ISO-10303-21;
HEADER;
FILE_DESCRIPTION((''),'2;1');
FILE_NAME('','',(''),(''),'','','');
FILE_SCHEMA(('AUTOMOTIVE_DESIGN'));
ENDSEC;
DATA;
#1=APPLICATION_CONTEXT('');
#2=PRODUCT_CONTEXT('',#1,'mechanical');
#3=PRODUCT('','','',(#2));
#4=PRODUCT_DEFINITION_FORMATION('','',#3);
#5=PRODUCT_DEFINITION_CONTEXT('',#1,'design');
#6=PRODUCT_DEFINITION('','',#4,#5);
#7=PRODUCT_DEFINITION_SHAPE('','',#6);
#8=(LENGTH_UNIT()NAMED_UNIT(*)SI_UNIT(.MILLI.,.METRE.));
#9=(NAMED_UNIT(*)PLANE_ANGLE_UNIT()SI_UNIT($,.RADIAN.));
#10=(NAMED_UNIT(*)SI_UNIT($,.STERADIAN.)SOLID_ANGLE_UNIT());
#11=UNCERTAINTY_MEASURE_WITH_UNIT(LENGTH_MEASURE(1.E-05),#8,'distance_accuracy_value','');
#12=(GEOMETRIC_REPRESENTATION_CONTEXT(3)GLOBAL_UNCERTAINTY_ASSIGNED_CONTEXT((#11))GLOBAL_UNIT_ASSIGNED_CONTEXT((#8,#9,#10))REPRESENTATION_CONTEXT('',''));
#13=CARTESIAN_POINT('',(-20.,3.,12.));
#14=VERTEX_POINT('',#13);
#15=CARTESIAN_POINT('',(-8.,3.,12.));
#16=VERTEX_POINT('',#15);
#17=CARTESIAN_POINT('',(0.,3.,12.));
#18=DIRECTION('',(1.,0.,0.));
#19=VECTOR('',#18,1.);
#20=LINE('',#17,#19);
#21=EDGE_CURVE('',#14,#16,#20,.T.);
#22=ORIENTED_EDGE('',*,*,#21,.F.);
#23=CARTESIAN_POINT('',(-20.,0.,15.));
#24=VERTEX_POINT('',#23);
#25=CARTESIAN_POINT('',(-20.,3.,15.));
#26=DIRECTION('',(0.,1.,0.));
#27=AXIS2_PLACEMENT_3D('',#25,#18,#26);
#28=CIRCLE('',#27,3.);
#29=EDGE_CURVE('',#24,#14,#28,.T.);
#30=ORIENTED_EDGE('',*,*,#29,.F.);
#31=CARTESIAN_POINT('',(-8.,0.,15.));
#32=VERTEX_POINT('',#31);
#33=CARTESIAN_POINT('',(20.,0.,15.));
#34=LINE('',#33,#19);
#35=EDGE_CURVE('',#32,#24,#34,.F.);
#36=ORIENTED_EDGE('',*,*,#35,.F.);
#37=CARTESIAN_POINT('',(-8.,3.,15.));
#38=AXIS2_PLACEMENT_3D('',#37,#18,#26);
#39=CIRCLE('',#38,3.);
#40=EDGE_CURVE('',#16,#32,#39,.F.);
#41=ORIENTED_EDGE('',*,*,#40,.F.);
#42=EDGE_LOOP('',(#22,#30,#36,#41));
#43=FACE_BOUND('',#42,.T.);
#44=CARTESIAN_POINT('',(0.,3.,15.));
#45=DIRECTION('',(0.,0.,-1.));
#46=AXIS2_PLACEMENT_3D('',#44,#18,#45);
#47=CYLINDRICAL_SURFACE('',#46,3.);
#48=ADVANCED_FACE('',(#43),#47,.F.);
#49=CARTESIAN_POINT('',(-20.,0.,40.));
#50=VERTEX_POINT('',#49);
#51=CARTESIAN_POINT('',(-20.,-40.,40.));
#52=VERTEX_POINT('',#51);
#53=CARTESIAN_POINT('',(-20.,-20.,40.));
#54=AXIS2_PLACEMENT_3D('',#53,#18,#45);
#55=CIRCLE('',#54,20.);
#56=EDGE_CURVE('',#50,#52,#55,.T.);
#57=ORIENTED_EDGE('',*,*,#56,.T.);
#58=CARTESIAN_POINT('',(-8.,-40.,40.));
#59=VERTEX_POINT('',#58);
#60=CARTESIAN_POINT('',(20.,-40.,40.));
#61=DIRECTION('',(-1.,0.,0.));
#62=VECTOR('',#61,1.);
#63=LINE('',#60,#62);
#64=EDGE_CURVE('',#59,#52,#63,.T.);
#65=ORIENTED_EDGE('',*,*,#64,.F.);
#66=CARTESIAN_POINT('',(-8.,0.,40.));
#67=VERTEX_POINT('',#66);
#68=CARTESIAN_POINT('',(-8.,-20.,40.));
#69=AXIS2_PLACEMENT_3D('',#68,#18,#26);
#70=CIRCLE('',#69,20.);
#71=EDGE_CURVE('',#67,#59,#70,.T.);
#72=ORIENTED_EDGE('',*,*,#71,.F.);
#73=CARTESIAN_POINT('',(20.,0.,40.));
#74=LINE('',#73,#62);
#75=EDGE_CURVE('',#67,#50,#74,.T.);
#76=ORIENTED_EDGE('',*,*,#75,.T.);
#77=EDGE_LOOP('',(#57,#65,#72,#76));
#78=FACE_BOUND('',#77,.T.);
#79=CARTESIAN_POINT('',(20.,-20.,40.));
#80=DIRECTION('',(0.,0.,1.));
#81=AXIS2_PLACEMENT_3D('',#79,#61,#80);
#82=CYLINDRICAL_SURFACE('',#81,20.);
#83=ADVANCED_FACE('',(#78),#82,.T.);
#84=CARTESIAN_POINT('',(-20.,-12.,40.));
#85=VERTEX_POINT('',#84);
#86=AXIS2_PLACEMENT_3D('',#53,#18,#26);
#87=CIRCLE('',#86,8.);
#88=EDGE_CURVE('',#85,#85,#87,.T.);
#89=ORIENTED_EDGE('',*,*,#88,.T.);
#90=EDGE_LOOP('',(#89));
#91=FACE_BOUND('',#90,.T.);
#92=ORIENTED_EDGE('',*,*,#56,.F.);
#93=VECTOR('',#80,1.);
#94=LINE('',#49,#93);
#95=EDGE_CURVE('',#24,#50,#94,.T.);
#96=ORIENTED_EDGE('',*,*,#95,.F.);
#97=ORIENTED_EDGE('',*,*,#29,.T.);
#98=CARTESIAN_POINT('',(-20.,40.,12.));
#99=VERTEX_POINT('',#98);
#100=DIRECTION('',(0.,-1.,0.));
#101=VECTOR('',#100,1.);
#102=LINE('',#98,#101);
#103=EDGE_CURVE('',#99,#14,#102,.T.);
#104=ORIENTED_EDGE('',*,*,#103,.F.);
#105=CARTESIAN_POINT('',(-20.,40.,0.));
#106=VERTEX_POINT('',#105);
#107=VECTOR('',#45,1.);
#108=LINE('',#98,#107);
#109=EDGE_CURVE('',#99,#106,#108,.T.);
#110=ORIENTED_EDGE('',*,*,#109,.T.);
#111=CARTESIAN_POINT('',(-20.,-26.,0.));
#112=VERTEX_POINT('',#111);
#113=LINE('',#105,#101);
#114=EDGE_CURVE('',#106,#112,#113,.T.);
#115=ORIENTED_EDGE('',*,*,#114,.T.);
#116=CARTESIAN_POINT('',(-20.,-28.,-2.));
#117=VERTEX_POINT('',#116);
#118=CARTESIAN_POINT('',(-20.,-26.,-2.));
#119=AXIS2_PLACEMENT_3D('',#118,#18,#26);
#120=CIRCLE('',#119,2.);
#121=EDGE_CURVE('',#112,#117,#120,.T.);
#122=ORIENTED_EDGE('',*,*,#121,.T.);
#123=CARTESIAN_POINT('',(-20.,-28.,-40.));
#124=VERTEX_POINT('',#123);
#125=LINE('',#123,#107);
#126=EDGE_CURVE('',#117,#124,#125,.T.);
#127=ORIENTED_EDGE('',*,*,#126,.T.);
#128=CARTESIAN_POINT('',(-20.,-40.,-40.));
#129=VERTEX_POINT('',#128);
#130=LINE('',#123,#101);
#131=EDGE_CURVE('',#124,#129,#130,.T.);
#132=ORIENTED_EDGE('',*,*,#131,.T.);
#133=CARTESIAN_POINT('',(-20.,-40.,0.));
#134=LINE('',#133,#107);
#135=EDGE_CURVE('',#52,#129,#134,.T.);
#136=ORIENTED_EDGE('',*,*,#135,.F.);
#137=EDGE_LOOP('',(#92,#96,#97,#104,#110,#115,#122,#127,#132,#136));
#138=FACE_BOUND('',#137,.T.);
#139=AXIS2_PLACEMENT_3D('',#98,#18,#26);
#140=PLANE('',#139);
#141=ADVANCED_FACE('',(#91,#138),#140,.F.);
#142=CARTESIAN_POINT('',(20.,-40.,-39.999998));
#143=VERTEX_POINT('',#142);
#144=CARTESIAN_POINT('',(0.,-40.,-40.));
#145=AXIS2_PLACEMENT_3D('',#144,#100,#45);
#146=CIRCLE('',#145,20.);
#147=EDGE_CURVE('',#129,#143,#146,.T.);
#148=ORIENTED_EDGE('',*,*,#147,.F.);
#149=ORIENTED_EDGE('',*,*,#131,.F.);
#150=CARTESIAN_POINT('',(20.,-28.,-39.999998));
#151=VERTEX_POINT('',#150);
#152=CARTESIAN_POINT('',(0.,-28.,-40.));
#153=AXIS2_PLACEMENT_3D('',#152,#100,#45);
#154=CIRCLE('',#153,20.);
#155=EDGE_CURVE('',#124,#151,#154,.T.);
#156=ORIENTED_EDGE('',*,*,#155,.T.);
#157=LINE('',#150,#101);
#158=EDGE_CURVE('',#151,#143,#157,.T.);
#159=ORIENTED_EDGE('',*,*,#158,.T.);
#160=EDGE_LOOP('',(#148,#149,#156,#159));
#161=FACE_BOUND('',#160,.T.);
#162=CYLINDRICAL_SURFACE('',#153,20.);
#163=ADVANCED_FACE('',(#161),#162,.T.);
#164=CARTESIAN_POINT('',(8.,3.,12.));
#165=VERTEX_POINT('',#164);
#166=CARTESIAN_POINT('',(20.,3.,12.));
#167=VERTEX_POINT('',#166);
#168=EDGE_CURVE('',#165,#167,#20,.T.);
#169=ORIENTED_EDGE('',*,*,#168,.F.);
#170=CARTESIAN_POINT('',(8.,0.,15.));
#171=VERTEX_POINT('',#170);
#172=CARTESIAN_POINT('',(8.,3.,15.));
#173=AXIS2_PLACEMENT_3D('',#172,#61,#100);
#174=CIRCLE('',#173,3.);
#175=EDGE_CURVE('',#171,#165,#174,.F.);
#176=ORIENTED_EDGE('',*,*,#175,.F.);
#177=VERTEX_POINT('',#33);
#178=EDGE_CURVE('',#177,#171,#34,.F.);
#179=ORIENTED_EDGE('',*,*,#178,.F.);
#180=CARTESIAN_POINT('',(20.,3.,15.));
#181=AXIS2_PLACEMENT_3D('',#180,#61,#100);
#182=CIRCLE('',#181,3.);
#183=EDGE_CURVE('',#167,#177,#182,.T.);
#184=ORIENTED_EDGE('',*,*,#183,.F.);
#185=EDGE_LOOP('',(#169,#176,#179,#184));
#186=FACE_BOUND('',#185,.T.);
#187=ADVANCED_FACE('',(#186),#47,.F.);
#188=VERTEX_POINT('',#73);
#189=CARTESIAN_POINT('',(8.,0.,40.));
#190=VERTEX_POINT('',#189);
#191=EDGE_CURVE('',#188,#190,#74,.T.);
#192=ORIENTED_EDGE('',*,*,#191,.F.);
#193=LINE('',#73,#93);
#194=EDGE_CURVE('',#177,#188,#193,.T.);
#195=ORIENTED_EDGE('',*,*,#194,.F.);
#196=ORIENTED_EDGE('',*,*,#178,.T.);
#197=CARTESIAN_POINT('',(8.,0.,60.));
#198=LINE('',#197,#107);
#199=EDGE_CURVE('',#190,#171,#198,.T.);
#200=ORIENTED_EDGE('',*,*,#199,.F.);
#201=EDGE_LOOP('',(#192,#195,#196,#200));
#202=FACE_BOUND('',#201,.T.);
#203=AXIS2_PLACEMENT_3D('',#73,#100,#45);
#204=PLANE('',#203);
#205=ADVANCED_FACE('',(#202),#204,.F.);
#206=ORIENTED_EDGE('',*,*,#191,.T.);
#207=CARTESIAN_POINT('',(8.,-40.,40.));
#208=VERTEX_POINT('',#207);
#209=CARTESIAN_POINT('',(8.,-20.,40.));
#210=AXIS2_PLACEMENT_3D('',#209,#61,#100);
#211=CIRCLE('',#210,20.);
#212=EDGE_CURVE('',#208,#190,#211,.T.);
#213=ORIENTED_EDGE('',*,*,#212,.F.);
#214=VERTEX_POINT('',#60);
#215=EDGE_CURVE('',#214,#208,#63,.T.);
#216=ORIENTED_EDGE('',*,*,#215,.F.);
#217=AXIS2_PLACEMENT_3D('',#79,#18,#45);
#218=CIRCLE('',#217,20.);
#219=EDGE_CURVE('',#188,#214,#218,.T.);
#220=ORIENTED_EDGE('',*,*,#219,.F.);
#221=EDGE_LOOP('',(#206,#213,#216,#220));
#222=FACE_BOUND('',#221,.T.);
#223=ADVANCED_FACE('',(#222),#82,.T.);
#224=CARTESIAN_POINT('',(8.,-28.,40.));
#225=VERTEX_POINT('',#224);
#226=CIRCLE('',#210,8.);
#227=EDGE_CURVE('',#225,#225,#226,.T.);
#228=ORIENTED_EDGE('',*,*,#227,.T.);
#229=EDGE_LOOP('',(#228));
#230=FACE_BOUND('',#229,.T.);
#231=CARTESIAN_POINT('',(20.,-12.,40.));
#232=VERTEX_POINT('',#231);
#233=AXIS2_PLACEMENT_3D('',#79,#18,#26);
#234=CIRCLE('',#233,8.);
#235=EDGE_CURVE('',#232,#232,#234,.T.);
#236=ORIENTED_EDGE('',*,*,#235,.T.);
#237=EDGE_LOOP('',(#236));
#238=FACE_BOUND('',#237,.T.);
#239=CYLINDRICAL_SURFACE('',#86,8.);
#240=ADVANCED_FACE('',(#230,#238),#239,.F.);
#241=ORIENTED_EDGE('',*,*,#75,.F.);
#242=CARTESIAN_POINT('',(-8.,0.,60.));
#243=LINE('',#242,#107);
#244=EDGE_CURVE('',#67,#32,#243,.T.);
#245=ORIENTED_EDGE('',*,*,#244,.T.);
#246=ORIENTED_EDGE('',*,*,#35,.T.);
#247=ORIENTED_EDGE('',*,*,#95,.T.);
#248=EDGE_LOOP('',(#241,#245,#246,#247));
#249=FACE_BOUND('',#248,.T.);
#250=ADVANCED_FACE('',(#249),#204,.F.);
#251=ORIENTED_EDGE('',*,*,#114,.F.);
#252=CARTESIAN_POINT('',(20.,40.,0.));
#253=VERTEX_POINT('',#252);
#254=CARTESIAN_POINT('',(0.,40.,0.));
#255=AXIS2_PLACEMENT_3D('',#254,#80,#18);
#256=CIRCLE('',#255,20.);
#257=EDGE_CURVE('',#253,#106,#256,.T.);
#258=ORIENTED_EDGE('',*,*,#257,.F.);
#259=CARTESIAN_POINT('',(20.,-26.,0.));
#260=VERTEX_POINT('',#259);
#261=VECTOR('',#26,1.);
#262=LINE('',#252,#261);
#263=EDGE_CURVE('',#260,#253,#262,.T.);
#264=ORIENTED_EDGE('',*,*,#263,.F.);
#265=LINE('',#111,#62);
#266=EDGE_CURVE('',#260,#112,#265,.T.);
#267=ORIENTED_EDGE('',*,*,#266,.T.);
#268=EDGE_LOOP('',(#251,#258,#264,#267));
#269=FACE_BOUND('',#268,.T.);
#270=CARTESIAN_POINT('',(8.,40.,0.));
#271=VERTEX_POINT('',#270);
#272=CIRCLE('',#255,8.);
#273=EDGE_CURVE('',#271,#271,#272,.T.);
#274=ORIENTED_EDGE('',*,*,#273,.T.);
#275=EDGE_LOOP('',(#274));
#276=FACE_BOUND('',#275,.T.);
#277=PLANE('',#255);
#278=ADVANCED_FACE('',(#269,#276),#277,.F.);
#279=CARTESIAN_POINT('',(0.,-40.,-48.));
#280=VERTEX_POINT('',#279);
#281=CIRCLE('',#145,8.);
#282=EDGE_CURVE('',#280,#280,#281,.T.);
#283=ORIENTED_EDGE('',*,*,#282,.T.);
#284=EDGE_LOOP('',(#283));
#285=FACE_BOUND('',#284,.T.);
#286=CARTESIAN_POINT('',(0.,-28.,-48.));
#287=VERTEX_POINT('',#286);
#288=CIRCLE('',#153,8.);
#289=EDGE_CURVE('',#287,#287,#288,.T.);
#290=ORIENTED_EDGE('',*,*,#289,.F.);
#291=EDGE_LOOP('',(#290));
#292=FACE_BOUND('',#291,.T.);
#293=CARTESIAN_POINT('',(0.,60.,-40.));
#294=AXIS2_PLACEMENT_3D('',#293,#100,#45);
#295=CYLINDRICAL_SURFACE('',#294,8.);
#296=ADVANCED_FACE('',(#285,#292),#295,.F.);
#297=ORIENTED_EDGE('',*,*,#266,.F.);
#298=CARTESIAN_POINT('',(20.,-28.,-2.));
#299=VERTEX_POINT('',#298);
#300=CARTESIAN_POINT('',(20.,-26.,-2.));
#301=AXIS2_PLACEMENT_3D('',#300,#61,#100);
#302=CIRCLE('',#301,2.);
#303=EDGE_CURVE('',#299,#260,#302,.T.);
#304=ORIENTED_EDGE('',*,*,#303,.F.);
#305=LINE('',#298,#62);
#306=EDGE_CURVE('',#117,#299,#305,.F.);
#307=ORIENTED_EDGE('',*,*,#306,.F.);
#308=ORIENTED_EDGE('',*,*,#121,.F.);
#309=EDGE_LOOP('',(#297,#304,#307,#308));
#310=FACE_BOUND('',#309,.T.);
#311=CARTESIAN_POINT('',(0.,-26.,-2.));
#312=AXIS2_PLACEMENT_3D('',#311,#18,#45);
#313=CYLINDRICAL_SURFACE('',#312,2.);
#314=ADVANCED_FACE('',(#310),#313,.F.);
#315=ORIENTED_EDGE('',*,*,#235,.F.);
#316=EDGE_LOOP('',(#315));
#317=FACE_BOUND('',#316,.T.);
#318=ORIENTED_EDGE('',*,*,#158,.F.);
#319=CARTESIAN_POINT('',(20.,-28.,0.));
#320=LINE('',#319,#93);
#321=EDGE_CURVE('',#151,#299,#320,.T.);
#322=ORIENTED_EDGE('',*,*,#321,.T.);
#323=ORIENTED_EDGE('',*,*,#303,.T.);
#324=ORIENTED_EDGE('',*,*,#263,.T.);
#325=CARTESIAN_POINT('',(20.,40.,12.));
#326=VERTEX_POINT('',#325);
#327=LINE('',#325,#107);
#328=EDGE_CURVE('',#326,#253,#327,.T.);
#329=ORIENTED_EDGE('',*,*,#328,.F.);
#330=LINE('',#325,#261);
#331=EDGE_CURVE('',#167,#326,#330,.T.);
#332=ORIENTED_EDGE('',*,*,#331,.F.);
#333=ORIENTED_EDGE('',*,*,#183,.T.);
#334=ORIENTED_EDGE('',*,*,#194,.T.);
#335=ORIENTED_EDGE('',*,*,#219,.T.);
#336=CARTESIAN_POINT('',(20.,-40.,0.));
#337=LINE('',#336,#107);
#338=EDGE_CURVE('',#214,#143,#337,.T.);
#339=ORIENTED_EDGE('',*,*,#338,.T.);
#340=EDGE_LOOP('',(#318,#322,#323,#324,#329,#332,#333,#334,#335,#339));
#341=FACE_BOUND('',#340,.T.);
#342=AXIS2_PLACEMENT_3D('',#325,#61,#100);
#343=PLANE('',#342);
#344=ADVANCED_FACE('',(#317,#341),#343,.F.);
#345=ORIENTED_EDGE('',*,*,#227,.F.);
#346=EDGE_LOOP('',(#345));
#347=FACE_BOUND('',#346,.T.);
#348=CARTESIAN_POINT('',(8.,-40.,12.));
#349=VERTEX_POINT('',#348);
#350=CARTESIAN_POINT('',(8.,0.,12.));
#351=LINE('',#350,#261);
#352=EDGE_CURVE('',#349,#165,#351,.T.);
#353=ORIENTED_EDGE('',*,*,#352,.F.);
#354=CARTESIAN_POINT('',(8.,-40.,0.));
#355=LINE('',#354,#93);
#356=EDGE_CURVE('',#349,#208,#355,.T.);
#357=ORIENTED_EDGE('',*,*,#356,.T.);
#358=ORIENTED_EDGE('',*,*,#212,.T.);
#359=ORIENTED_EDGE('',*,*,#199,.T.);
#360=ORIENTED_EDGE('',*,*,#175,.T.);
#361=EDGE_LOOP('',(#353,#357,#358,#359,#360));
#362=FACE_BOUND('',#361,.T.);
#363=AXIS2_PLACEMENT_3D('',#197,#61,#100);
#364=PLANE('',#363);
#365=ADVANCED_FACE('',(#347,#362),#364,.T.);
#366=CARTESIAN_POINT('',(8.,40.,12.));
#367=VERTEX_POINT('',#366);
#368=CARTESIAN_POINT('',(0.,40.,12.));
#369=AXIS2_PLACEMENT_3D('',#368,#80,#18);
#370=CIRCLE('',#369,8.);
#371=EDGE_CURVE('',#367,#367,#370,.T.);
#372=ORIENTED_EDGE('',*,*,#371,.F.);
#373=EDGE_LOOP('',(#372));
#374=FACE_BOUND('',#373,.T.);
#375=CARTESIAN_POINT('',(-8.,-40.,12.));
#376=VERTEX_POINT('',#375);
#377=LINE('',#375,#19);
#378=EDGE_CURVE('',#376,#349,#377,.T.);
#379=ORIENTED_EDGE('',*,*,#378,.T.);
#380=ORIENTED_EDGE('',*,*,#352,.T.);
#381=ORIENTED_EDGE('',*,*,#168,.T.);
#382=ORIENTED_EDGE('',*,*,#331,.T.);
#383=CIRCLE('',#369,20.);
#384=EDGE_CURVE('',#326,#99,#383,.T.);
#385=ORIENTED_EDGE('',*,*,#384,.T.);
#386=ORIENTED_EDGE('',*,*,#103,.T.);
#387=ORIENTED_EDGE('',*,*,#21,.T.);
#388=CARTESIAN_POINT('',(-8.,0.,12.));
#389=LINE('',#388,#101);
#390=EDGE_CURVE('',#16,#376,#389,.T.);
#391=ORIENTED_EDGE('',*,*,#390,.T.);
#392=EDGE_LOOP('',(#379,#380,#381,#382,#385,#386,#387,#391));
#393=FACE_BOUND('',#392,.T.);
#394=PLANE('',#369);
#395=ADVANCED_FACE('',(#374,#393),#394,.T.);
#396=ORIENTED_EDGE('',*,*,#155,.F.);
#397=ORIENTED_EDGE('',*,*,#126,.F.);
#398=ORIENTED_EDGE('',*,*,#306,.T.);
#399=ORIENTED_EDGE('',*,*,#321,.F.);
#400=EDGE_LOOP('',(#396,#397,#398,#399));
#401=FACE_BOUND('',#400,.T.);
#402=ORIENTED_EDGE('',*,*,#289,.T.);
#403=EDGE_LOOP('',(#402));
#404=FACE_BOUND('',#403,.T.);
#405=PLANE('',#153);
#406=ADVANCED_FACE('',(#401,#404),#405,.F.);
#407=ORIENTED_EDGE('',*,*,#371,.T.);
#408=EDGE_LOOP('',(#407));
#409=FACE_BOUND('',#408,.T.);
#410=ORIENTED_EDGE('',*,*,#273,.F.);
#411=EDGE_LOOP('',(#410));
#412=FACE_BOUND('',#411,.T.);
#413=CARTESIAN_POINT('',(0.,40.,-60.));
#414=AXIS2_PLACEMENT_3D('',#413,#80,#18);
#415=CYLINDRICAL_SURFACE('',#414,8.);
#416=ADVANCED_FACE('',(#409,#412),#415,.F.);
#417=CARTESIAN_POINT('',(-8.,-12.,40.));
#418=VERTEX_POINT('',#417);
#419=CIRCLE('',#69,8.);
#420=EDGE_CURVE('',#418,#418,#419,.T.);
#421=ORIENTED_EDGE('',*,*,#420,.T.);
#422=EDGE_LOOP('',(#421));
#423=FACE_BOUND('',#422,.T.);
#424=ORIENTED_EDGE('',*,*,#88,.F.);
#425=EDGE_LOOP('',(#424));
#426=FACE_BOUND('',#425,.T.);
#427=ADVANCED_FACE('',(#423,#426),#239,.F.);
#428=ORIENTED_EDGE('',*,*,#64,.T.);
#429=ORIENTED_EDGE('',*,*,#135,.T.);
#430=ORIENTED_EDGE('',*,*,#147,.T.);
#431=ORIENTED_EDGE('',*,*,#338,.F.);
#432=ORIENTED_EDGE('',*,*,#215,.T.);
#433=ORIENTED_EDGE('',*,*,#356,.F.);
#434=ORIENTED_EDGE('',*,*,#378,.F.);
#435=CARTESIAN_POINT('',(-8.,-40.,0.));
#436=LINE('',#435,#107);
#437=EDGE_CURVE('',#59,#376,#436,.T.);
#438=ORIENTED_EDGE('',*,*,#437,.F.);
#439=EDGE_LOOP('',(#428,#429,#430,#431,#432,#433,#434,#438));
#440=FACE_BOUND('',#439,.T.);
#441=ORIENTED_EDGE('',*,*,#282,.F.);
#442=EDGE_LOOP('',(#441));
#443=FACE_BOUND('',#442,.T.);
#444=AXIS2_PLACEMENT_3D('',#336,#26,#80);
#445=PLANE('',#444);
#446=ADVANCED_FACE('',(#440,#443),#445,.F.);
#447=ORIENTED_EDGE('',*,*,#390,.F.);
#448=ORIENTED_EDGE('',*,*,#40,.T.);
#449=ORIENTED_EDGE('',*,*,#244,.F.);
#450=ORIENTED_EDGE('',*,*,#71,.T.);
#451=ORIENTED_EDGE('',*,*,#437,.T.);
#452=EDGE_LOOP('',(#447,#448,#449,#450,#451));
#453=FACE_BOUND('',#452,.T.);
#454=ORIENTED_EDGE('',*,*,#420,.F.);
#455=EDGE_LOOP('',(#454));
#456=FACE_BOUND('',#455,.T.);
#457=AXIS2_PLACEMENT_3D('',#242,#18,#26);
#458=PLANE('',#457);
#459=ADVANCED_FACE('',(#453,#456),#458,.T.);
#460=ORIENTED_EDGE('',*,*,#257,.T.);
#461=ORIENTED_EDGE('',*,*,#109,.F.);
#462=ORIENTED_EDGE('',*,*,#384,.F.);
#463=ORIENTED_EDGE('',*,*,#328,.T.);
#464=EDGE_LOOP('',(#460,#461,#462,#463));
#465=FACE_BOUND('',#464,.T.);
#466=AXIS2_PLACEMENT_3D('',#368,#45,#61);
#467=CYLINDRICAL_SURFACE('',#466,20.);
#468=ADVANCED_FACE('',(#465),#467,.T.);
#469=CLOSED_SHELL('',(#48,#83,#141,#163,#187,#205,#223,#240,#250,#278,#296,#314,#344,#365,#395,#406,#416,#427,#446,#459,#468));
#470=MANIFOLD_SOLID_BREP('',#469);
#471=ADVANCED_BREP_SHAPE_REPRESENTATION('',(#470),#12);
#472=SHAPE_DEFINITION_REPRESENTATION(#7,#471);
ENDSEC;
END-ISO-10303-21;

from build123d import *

# Parameters (mm, degrees)
BOSS_EXTRUDE3_DEPTH = 12
BOSS_EXTRUDE4_DEPTH = 20
BOSS_EXTRUDE5_DEPTH = 12
SKETCH12_W          = 16
SKETCH12_H          = 40
CUT_EXTRUDE1_DEPTH  = 96.833188406
SKETCH13_R          = 8
CUT_EXTRUDE2_DEPTH  = 94.808315196
SKETCH14_R          = 8
CUT_EXTRUDE3_DEPTH  = 96.833188406
SKETCH15_R          = 8
CUT_EXTRUDE4_DEPTH  = 119.321595662
FILLET1_R           = 3
FILLET2_R           = 2


with BuildPart() as part:
    # Sketch7 → Boss-Extrude3 (new body)
    with BuildSketch(Plane(origin=(0, 0, 0), x_dir=(0, 1, 0), z_dir=(0, 0, 1))):
        with BuildLine():
            Line((0, -20), (0, 20))
            Line((0, 20), (40, 20))
            ThreePointArc((40, 20), (60, 0), (40, -20))
            Line((40, -20), (0, -20))
        make_face()
    extrude(amount=BOSS_EXTRUDE3_DEPTH)

    # Sketch9 → Boss-Extrude4 (add, symmetric)
    with BuildSketch(Plane.YZ):
        with BuildLine():
            Line((0, 0), (-40, 0))
            Line((-40, 0), (-40, 40))
            ThreePointArc((-40, 40), (-20, 60), (0, 40))
            Line((0, 40), (0, 0))
        make_face()
    extrude(amount=BOSS_EXTRUDE4_DEPTH, both=True)

    # Sketch10 → Boss-Extrude5 (add)
    with BuildSketch(Plane.XZ.offset(40)):
        with BuildLine():
            Line((-20, 0), (20, 0))
            Line((20, 0), (20, -39.999997874))
            ThreePointArc((20, -39.999997874), (1.063e-06, -60), (-20, -40))
            Line((-20, -40), (-20, 0))
        make_face()
    extrude(amount=-BOSS_EXTRUDE5_DEPTH)

    # Sketch12 → Cut-Extrude1 (cut, through all)
    with BuildSketch(Plane.XY.offset(12)):
        with Locations((0, -20)):
            Rectangle(SKETCH12_W, SKETCH12_H)
    extrude(amount=CUT_EXTRUDE1_DEPTH, mode=Mode.SUBTRACT)

    # Sketch13 → Cut-Extrude2 (cut, through all)
    with BuildSketch(Plane.YZ.offset(20)):
        with Locations((-20, 40)):
            Circle(SKETCH13_R)
    extrude(amount=-CUT_EXTRUDE2_DEPTH, mode=Mode.SUBTRACT)

    # Sketch14 → Cut-Extrude3 (cut, through all)
    with BuildSketch(Plane.XY.offset(12)):
        with Locations((0, 40)):
            Circle(SKETCH14_R)
    extrude(amount=-CUT_EXTRUDE3_DEPTH, mode=Mode.SUBTRACT)

    # Sketch15 → Cut-Extrude4 (cut, through all)
    with BuildSketch(Plane.XZ.offset(40)):
        with Locations(Location((0, -40, 0), (0, 0, 270))):
            Circle(SKETCH15_R)
    extrude(amount=-CUT_EXTRUDE4_DEPTH, mode=Mode.SUBTRACT)

    # Fillet1
    fillet1_edges = [part.edges().sort_by_distance(p)[0] for p in [
        (14, 0, 12),
        (-14, 0, 12),
    ]]
    fillet(fillet1_edges, radius=FILLET1_R)

    # Fillet2
    fillet2_edges = [part.edges().sort_by_distance(p)[0] for p in [
        (0, -28, 0),
    ]]
    fillet(fillet2_edges, radius=FILLET2_R)


solid = part.part
